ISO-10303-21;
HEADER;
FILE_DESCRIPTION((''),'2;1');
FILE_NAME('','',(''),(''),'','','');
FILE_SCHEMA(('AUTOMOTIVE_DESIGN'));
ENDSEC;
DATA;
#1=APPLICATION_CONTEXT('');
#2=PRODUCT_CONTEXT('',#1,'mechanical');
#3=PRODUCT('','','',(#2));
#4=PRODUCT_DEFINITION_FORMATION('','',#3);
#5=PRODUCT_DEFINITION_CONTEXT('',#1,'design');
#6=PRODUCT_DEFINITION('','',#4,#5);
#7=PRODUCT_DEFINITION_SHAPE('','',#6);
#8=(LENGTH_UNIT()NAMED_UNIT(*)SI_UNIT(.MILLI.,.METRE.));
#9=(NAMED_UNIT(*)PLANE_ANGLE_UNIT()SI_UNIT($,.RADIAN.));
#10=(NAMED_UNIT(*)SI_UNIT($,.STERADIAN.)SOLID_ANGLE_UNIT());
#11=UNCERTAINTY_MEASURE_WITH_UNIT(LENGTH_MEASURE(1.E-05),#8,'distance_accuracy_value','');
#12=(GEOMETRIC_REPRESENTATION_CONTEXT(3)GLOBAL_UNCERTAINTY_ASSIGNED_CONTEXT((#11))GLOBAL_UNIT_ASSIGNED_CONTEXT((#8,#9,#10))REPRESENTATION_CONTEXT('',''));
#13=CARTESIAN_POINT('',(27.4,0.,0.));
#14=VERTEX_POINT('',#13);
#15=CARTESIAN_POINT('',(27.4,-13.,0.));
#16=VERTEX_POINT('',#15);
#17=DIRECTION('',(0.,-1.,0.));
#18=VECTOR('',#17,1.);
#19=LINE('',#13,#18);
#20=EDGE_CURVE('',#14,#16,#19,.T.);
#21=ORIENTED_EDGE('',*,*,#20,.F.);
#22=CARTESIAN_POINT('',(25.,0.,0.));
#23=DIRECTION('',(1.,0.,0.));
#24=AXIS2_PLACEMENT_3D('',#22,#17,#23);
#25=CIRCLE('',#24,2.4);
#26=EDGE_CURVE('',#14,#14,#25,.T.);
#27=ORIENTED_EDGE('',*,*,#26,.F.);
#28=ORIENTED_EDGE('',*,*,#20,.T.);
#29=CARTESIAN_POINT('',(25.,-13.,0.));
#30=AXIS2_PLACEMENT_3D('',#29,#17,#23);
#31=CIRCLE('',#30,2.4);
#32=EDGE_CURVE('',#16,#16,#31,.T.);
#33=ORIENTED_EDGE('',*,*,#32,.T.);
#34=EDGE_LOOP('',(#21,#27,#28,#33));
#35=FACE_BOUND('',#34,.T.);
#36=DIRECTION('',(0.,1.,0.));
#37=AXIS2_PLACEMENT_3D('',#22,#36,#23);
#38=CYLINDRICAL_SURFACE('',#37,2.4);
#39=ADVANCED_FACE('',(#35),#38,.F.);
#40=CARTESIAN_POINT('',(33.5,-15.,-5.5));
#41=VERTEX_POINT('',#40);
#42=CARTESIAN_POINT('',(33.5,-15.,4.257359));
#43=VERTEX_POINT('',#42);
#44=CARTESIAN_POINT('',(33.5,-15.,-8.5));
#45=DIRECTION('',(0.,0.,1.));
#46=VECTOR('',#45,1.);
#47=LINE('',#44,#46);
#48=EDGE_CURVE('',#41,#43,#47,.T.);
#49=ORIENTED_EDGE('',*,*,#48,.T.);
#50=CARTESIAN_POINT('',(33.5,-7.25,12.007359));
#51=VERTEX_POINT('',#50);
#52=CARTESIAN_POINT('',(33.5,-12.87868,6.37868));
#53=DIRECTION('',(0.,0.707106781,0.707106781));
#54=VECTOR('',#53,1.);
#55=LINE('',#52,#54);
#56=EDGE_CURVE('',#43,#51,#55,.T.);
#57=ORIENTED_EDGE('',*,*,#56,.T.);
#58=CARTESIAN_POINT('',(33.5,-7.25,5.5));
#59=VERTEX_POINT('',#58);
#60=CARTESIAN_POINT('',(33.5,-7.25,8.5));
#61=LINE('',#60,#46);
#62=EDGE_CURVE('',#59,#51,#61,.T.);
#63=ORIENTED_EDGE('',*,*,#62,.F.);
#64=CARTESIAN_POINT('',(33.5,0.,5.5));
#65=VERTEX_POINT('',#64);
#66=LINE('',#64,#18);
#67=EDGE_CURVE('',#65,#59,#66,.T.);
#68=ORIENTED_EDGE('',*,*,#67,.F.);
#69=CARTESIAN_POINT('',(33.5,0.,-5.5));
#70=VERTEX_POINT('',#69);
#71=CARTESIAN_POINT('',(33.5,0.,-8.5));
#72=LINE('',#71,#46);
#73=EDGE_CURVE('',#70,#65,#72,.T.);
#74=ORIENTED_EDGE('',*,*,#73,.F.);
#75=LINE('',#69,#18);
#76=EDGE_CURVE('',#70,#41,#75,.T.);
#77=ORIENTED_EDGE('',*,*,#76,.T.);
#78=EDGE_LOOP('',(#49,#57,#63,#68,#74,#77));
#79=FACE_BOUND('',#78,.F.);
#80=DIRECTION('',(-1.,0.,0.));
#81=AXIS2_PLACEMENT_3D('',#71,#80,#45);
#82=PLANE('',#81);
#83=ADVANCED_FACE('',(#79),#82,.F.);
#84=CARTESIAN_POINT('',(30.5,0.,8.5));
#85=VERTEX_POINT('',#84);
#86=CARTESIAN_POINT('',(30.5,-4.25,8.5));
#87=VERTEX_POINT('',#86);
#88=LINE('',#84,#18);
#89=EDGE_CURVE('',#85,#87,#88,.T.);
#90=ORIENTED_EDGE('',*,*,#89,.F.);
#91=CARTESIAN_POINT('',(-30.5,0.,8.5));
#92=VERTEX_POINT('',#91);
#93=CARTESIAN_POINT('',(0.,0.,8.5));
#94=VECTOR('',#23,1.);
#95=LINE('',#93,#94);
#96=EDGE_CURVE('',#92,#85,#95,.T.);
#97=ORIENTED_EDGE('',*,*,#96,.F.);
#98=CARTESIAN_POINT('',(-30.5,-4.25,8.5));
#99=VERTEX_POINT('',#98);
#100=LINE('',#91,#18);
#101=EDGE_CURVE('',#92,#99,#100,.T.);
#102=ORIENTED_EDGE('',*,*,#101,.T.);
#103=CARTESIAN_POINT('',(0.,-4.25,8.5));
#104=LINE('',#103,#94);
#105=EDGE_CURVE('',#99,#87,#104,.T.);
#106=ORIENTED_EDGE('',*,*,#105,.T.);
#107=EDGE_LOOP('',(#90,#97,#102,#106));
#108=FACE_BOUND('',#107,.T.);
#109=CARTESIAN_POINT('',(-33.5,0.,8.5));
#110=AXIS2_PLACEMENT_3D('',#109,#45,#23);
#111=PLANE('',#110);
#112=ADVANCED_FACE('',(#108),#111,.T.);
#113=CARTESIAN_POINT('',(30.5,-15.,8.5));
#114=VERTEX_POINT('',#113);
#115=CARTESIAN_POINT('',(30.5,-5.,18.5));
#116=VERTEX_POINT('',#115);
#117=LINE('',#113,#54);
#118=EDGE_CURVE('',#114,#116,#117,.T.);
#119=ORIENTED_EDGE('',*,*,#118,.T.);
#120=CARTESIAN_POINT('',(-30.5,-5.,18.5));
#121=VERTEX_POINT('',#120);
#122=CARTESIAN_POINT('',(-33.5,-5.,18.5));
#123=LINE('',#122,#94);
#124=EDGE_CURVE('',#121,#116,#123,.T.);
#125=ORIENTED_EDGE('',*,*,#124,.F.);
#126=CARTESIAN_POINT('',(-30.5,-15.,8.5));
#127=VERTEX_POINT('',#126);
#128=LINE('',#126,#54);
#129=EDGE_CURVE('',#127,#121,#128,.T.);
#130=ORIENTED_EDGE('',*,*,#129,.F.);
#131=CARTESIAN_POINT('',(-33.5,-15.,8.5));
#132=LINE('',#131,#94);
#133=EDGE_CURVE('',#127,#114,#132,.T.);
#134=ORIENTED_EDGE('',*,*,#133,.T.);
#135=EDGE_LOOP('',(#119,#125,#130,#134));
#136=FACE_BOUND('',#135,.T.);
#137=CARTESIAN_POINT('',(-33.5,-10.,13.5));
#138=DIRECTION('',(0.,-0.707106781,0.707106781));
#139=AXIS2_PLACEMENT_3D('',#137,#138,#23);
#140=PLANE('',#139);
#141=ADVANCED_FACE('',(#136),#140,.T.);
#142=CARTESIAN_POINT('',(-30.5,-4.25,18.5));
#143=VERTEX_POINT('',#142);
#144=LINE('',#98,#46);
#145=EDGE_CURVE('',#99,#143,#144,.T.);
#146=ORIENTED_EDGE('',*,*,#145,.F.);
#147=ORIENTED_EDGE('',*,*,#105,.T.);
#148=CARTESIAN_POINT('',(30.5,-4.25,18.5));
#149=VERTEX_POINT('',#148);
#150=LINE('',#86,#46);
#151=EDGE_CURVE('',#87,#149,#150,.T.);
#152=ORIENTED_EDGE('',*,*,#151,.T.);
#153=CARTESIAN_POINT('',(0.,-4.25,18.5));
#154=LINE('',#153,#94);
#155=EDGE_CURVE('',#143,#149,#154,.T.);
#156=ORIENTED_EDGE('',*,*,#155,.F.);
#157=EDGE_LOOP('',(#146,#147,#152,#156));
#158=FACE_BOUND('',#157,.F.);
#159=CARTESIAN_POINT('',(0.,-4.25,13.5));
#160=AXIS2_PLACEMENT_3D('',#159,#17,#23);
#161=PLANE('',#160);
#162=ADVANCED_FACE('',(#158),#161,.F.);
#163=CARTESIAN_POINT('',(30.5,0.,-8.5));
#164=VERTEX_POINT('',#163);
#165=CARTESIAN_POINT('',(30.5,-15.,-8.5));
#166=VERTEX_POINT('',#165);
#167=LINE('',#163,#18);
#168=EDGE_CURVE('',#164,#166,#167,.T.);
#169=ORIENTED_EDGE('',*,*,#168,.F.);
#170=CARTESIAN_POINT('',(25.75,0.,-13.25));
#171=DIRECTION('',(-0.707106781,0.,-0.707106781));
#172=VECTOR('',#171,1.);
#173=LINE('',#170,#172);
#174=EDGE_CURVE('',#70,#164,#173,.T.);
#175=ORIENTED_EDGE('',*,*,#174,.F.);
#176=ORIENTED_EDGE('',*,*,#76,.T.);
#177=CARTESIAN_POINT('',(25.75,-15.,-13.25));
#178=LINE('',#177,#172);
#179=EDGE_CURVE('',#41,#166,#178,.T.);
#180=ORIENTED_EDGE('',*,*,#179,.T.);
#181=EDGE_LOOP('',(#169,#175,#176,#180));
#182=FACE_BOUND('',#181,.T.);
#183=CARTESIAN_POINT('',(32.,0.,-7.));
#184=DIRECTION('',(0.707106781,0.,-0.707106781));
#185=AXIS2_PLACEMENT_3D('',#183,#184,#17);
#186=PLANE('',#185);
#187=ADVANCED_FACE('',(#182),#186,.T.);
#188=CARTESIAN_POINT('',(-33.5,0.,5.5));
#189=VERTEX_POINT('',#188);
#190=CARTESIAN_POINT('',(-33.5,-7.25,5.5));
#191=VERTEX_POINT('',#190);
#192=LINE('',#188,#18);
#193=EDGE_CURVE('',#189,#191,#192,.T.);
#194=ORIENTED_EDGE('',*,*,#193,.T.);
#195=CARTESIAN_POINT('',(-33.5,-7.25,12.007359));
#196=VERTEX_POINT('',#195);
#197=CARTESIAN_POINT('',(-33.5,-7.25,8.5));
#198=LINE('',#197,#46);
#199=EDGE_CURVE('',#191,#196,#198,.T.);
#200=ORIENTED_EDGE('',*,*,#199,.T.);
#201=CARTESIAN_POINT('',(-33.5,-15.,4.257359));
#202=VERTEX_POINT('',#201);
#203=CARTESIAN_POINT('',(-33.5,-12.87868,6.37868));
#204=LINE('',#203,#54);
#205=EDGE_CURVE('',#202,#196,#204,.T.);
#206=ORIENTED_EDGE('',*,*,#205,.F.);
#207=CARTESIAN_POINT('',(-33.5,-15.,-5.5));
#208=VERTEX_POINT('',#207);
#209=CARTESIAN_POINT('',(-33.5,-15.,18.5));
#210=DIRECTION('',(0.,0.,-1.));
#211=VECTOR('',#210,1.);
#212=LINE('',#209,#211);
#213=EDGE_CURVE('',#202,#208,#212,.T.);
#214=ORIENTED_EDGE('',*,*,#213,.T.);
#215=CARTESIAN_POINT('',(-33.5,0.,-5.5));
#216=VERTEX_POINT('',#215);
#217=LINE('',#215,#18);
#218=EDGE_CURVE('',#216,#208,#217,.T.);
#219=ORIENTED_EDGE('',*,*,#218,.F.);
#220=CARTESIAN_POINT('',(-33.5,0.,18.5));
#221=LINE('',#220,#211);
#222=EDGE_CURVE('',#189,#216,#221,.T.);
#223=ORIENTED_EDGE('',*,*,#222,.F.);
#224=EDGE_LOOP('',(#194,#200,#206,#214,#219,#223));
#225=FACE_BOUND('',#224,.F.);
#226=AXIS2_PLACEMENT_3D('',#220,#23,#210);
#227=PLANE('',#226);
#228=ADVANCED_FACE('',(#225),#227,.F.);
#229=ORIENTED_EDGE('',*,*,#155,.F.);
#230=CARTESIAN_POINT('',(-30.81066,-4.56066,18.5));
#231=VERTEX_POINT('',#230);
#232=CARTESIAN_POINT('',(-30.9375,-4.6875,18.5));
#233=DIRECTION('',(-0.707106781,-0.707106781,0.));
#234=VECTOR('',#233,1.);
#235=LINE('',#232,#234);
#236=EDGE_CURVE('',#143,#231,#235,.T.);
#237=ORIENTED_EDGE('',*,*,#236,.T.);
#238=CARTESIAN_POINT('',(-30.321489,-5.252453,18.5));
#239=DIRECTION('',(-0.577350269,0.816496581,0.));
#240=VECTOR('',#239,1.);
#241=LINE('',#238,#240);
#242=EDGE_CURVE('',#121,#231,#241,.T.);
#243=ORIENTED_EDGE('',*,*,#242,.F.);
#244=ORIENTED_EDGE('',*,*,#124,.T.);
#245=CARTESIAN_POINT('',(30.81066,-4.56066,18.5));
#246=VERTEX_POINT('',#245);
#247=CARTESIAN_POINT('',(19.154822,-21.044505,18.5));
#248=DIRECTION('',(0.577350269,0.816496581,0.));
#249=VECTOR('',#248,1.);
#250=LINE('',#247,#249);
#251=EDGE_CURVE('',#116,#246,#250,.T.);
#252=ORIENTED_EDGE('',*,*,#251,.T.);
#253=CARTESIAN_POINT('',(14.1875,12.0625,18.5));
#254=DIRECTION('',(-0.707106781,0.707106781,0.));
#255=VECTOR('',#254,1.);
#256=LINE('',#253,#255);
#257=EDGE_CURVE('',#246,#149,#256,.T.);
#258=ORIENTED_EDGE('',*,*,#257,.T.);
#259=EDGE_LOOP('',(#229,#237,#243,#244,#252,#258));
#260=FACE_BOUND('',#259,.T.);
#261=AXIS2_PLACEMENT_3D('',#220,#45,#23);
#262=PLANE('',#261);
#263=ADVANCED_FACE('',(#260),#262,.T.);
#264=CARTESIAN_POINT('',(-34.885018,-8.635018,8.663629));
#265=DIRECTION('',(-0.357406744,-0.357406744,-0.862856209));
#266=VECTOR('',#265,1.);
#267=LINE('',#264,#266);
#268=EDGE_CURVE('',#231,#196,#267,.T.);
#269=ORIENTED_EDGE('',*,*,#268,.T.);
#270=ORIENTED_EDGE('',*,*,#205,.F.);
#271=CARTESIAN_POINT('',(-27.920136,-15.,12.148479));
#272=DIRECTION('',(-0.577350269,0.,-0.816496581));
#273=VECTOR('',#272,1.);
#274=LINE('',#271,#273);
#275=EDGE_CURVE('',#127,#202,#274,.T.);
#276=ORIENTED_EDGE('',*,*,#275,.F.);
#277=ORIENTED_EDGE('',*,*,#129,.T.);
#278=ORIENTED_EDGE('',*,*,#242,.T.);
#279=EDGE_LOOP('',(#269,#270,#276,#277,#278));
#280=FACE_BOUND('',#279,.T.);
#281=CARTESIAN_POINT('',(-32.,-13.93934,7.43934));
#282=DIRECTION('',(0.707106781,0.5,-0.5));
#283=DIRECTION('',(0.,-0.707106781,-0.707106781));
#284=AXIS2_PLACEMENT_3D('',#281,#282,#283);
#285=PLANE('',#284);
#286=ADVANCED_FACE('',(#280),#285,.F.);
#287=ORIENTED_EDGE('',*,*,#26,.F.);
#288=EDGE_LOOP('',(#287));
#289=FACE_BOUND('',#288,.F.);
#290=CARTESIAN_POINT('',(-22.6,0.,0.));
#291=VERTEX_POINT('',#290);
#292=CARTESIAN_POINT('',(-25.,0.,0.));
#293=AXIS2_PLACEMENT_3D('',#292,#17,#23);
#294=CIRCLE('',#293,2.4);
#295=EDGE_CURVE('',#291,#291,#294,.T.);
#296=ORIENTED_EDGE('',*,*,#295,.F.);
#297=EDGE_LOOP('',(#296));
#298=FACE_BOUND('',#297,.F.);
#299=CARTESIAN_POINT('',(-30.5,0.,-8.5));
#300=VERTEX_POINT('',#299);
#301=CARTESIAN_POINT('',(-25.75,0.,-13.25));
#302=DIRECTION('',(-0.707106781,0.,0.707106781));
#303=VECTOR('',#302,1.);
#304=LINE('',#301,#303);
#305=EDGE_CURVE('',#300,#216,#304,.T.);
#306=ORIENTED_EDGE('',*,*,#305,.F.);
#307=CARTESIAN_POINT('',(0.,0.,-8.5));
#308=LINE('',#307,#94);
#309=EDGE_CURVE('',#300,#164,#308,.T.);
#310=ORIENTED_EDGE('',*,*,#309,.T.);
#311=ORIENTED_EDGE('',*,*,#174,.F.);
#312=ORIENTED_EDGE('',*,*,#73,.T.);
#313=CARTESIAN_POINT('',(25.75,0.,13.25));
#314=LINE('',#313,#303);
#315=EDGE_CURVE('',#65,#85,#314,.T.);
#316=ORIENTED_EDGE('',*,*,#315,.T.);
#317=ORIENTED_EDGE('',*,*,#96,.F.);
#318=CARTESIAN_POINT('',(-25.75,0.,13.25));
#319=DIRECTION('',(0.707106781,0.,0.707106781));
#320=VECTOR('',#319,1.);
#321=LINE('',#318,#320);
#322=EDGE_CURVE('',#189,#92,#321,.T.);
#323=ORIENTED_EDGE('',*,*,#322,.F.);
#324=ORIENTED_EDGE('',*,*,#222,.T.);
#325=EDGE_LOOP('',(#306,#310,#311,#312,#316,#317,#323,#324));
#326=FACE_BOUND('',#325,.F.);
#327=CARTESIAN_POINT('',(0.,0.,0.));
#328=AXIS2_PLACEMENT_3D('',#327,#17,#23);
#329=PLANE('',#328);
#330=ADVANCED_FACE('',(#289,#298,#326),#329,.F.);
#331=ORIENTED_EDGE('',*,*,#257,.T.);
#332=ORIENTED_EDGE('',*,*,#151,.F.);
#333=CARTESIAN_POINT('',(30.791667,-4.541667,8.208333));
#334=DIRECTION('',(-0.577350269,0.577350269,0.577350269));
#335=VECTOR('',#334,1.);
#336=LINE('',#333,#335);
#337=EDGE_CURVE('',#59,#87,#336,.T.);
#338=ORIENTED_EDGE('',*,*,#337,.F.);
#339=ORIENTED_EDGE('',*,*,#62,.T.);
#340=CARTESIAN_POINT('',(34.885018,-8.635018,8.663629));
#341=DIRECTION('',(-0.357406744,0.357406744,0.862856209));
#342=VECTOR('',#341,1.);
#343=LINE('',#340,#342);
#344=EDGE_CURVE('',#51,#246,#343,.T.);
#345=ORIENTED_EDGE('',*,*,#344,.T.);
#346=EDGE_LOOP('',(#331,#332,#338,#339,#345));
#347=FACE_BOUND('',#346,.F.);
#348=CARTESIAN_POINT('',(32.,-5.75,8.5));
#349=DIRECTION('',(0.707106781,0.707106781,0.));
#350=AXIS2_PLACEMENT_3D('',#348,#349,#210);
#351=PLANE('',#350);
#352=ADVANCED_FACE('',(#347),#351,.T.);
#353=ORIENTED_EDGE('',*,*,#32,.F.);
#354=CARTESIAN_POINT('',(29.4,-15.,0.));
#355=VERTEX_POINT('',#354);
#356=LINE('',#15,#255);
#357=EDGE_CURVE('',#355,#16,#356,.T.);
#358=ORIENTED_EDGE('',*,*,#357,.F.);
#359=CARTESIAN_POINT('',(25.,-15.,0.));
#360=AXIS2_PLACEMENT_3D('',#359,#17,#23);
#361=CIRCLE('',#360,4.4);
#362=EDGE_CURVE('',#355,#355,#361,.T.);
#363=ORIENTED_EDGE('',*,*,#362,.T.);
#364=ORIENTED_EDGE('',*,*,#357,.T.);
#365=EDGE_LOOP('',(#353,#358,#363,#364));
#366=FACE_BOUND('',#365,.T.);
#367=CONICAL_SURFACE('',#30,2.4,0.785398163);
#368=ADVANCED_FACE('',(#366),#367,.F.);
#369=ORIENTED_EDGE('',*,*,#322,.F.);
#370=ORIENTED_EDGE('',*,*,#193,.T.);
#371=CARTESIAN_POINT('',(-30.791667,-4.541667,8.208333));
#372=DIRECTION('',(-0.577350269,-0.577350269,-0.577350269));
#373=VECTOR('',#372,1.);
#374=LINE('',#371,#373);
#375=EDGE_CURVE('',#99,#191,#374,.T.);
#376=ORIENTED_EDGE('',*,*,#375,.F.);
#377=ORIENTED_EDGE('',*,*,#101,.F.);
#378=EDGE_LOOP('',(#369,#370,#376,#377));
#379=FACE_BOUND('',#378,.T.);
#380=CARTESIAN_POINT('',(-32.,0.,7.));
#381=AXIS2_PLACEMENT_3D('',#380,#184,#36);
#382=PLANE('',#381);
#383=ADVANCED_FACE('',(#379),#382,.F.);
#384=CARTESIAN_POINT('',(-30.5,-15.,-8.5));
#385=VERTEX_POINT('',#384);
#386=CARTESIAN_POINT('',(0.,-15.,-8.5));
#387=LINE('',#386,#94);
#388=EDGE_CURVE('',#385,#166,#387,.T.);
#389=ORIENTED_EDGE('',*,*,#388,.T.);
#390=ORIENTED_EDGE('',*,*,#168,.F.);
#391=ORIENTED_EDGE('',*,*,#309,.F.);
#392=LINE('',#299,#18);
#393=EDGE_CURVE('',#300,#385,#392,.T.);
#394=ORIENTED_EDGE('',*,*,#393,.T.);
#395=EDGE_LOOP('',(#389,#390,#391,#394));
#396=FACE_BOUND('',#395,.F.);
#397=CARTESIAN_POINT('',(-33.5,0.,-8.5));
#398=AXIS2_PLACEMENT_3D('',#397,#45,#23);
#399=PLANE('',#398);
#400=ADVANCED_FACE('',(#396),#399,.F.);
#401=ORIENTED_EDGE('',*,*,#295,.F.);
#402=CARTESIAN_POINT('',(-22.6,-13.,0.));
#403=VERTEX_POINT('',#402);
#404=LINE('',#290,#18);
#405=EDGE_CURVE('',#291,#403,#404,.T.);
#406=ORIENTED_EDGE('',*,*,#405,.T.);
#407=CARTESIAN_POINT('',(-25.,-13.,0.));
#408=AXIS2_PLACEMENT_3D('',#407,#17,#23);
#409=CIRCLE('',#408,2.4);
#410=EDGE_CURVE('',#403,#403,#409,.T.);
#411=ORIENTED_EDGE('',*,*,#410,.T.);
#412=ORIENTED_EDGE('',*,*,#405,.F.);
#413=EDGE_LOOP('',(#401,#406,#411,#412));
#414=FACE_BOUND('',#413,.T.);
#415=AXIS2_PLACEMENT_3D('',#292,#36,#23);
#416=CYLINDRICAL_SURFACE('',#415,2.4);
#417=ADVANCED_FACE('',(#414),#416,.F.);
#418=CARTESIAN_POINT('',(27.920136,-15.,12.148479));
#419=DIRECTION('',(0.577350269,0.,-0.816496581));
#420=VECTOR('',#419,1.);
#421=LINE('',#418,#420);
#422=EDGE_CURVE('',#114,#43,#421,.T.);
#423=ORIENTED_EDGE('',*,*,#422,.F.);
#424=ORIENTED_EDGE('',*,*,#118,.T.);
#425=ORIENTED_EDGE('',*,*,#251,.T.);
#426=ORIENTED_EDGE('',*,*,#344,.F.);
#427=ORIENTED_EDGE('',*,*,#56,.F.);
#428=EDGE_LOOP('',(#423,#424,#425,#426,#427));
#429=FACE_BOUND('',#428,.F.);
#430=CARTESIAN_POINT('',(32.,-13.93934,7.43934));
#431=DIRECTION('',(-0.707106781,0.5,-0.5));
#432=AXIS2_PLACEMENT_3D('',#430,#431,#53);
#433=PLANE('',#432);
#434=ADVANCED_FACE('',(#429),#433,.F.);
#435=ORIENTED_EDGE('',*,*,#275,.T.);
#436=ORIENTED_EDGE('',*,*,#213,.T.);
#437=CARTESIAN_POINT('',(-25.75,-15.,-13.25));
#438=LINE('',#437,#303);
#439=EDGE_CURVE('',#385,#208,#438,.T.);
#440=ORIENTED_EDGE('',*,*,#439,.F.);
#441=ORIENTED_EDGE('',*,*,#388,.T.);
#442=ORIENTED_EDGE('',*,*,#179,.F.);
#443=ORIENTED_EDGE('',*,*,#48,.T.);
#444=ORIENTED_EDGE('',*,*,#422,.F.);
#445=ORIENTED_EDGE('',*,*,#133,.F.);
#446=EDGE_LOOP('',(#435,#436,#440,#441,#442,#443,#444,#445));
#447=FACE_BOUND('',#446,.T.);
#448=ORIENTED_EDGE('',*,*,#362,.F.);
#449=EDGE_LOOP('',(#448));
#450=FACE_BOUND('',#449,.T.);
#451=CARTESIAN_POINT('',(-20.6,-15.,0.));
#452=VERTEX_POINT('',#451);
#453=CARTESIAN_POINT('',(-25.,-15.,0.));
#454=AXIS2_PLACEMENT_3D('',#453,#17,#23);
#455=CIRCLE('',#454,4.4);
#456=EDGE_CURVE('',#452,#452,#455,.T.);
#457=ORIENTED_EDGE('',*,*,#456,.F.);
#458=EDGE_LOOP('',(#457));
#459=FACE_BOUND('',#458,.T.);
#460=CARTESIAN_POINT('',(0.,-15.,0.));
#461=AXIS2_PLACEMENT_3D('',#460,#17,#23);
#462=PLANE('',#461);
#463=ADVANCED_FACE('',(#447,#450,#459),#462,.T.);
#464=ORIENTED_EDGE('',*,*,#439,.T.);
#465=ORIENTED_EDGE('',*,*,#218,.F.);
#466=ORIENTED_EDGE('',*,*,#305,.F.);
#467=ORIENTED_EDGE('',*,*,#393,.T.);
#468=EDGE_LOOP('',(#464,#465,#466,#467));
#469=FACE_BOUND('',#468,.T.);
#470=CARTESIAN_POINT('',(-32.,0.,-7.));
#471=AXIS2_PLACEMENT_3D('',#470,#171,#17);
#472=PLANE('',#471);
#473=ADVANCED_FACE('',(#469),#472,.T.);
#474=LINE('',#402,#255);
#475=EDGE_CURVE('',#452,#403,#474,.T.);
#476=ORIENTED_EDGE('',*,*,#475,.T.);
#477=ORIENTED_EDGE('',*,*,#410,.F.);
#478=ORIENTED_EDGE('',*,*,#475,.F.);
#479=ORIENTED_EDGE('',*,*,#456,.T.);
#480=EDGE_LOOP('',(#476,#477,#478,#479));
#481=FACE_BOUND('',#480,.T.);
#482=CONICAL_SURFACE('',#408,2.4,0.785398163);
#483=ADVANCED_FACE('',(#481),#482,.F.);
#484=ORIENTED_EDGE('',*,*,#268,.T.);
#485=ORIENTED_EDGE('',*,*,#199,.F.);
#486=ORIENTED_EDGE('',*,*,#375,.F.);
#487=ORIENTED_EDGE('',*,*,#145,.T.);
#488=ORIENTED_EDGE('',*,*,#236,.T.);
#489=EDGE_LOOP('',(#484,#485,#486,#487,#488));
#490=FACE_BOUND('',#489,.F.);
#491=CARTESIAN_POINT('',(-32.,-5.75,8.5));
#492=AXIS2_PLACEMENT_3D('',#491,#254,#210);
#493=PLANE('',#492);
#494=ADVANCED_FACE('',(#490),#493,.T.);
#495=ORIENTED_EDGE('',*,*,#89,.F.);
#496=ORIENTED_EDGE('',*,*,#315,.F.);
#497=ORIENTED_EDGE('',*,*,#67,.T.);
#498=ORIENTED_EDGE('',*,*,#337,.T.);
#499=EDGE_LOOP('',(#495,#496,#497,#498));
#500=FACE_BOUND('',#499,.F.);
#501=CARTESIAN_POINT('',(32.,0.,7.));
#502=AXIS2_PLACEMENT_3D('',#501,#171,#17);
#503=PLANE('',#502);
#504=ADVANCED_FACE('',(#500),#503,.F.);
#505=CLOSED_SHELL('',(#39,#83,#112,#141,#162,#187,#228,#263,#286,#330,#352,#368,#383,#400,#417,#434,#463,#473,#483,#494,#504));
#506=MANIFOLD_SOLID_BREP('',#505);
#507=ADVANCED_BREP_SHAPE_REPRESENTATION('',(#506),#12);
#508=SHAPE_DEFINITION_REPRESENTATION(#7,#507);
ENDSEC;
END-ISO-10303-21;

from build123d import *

# Parameters (mm, degrees)
F0_W     = 67
F0_H     = 17
F0_R     = 2.4
F0_H_2   = 10
F1_DEPTH = 15
F2_DEPTH = 4.25
F3_SIZE  = 2
F4_SIZE  = 10
F5_SIZE  = 3


with BuildPart() as f1:
    # F0 (on Front) → F1 (new body)
    with BuildSketch(Plane.XZ):
        Rectangle(F0_W, F0_H)
        with Locations((-25, 0)):
            Circle(F0_R, mode=Mode.SUBTRACT)
        with Locations((25, 0)):
            Circle(F0_R, mode=Mode.SUBTRACT)
        with Locations((0, 13.5)):
            Rectangle(F0_W, F0_H_2)
    extrude(amount=F1_DEPTH)

    # F0 (on Front) → F2 (cut)
    with BuildSketch(Plane.XZ):
        with Locations((0, 13.5)):
            Rectangle(F0_W, F0_H_2)
    extrude(amount=F2_DEPTH, mode=Mode.SUBTRACT)

    # F3
    f3_edges = [f1.edges().sort_by_distance(p)[0] for p in [
        (-27.4, -15, 0),
        (22.6, -15, 0),
    ]]
    chamfer(f3_edges, length=F3_SIZE)

    # F4
    f4_edges = [f1.edges().sort_by_distance(p)[0] for p in [
        (0, -15, 18.5),
    ]]
    chamfer(f4_edges, length=F4_SIZE)

    # F5 (call 1 of 6: OpenCascade refuses the feature's edges together)
    f5_edges = [f1.edges().sort_by_distance(p)[0] for p in [
        (-33.5, -10, 13.5),
    ]]
    chamfer(f5_edges, length=F5_SIZE)

    # F5#2 (call 2 of 6)
    f5_2_edges = [f1.edges().sort_by_distance(p)[0] for p in [
        (33.5, -10, 13.5),
    ]]
    chamfer(f5_2_edges, length=F5_SIZE)

    # F5#3 (call 3 of 6)
    f5_3_edges = [f1.edges().sort_by_distance(p)[0] for p in [
        (33.5, -7.5, -8.5),
    ]]
    chamfer(f5_3_edges, length=F5_SIZE)

    # F5#4 (call 4 of 6)
    f5_4_edges = [f1.edges().sort_by_distance(p)[0] for p in [
        (-33.5, -7.5, -8.5),
    ]]
    chamfer(f5_4_edges, length=F5_SIZE)

    # F5#5 (call 5 of 6)
    f5_5_edges = [f1.edges().sort_by_distance(p)[0] for p in [
        (33.5, -2.125, 8.5),
        (33.5, -4.25, 13.5),
    ]]
    chamfer(f5_5_edges, length=F5_SIZE)

    # F5#6 (call 6 of 6)
    f5_6_edges = [f1.edges().sort_by_distance(p)[0] for p in [
        (-33.5, -4.25, 13.5),
        (-33.5, -2.125, 8.5),
    ]]
    chamfer(f5_6_edges, length=F5_SIZE)


solid = f1.part
